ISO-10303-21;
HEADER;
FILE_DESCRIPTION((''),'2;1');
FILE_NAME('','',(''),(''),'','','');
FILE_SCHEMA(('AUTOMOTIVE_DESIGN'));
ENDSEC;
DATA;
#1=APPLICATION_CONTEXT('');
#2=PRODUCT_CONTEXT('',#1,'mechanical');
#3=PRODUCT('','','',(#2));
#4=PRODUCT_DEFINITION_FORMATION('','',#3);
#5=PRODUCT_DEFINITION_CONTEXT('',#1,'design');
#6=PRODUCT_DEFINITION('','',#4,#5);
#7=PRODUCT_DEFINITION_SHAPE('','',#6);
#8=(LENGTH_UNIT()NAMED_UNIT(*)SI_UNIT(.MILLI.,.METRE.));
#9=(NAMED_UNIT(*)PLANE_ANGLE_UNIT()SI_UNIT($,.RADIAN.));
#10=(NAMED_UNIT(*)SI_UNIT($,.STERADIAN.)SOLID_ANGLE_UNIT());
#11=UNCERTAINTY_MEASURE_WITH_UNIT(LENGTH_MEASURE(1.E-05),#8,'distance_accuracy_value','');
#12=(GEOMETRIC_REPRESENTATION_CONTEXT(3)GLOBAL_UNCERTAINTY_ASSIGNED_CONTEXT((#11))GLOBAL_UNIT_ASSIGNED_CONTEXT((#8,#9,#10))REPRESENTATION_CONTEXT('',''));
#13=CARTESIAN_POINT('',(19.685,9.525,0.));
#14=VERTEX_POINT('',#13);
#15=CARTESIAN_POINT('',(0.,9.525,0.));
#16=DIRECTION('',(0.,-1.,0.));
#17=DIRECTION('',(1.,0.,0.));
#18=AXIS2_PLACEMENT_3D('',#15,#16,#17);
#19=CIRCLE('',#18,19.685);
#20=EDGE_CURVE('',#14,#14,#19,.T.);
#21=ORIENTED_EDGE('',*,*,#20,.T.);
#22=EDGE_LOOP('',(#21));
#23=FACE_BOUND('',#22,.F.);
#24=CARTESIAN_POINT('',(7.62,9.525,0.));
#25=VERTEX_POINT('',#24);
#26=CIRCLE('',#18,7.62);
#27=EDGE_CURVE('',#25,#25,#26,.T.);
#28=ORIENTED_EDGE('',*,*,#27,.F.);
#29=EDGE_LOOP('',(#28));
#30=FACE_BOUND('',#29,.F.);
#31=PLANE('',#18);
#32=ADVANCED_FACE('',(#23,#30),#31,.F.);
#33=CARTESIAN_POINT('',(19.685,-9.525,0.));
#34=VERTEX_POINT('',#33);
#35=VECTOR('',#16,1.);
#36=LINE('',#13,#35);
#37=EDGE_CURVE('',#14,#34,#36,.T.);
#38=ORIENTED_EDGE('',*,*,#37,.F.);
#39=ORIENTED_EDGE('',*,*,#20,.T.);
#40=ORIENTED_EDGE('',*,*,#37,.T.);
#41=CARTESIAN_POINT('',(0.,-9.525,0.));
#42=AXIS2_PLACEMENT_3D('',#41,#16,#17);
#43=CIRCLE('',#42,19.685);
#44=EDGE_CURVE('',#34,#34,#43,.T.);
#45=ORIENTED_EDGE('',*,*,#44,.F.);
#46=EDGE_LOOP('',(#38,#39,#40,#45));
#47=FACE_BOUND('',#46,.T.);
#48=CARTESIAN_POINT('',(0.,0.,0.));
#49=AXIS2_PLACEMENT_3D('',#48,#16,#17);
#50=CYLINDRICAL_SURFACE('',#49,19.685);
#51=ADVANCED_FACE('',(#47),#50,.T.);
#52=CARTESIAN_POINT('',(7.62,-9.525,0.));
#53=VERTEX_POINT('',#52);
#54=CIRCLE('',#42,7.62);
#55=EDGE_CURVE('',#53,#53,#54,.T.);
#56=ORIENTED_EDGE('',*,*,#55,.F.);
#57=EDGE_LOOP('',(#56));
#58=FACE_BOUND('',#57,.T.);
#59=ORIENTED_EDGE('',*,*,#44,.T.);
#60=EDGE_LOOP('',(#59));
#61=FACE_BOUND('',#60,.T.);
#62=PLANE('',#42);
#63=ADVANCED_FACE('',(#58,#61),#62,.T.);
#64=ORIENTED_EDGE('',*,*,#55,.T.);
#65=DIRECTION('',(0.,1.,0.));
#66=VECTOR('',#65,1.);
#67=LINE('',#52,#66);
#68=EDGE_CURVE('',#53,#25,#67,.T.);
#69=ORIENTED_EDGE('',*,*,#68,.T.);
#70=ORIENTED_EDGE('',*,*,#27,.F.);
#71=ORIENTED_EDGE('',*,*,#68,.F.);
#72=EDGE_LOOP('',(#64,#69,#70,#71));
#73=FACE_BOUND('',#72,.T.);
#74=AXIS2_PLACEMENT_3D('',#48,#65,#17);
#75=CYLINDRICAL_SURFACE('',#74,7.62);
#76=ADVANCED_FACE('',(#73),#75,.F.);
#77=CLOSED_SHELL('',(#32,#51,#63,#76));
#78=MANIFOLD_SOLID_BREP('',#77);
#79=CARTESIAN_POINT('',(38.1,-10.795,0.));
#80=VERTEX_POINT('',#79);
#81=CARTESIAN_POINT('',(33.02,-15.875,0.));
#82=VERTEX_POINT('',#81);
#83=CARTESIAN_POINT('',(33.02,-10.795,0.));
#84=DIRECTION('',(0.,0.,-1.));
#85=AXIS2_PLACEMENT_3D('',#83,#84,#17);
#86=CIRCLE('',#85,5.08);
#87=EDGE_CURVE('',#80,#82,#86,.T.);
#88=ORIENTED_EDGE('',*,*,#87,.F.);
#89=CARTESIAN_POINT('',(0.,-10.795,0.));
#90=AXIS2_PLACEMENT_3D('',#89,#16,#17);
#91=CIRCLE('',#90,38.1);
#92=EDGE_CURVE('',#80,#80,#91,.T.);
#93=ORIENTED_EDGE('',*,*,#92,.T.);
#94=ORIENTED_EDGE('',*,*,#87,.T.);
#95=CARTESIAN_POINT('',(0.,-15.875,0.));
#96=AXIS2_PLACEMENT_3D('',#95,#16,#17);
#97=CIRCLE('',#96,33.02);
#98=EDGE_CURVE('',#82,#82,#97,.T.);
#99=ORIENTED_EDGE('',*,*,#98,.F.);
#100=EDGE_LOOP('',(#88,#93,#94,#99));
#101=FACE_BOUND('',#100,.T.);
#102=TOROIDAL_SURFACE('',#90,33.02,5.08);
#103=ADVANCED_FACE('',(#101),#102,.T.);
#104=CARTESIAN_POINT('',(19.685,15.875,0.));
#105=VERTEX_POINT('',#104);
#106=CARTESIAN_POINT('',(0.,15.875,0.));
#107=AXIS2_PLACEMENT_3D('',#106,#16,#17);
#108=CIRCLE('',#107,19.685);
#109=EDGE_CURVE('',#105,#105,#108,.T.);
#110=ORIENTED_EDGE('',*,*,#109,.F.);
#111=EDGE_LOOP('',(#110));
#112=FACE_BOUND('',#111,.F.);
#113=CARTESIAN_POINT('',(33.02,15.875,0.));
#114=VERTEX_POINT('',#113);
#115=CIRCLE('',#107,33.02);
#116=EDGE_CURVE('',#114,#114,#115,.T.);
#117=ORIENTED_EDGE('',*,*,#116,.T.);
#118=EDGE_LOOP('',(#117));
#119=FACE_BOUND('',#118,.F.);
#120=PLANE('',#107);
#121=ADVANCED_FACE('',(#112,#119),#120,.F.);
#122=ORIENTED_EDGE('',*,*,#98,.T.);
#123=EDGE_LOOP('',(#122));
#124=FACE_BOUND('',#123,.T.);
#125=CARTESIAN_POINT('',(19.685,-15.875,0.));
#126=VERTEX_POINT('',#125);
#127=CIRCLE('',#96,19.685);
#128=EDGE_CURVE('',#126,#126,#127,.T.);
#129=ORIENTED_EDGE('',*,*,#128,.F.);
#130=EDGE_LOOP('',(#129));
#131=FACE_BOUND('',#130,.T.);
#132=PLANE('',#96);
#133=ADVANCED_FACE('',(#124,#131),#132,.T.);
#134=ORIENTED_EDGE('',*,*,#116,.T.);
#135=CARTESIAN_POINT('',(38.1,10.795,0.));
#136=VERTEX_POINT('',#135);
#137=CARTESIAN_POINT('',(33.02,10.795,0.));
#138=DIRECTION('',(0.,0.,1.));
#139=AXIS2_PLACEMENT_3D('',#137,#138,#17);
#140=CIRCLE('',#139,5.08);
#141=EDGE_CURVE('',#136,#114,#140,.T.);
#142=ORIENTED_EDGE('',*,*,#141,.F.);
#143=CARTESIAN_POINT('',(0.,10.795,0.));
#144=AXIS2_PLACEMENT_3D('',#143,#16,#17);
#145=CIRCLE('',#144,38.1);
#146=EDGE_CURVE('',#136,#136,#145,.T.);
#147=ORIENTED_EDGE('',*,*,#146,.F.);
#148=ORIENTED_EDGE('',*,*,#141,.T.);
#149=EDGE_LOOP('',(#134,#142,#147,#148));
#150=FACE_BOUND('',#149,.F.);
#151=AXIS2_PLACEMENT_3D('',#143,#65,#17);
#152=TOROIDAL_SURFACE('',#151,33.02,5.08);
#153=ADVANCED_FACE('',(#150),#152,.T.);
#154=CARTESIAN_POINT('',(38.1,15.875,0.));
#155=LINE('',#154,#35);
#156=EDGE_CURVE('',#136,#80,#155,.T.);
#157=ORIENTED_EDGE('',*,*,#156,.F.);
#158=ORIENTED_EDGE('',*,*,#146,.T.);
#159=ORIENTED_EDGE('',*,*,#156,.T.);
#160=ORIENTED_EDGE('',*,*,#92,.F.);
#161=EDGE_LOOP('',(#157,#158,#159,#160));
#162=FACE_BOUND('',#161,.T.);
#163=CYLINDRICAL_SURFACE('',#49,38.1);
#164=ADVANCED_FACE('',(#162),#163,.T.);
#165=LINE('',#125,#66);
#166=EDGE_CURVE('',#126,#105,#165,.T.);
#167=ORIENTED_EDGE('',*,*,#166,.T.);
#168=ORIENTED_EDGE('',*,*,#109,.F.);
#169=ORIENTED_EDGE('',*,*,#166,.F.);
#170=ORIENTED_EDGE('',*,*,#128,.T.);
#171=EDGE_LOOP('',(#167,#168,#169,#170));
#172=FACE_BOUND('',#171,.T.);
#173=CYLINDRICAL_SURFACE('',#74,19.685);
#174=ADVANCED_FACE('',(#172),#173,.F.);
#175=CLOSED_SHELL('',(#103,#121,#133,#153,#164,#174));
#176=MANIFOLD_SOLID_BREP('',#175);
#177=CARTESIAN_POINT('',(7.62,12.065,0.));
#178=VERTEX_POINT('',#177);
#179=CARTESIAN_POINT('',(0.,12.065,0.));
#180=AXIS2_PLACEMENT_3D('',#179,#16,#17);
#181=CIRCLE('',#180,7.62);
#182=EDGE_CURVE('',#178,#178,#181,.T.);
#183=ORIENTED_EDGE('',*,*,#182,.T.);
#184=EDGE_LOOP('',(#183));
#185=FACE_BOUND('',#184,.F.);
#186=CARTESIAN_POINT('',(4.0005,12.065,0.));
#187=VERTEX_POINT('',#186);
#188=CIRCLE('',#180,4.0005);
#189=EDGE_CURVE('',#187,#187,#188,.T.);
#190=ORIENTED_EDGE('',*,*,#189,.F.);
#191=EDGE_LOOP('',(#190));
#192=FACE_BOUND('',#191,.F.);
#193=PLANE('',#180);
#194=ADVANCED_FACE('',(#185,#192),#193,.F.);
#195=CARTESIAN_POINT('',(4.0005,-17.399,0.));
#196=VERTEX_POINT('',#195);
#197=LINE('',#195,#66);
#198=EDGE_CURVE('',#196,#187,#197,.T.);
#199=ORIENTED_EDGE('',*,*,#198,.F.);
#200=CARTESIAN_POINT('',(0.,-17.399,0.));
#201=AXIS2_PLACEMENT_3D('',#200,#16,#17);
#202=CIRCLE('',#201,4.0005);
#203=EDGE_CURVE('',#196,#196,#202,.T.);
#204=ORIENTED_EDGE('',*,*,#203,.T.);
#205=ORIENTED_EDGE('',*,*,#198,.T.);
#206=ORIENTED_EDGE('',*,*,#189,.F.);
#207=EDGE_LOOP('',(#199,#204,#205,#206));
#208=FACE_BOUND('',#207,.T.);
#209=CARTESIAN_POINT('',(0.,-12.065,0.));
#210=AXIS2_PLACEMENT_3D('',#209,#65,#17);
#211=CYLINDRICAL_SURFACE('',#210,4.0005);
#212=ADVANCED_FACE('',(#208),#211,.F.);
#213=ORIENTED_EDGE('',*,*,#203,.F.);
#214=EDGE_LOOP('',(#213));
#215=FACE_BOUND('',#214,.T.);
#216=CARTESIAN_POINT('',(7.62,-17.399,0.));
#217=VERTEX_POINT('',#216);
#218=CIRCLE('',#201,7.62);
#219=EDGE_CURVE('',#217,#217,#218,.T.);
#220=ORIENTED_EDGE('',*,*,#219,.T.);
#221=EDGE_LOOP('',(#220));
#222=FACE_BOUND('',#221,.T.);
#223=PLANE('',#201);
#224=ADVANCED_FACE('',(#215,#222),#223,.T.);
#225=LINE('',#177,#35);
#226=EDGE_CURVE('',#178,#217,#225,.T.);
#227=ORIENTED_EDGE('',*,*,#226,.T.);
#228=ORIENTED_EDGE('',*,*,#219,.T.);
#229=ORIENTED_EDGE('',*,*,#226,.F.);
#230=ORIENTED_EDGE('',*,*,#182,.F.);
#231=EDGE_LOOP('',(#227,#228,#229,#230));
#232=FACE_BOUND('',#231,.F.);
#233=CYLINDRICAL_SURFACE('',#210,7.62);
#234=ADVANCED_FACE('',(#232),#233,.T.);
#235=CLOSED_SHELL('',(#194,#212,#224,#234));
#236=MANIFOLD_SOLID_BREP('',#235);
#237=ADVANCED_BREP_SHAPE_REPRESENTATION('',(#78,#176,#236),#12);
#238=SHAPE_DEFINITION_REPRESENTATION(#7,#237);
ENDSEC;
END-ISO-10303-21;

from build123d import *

# Parameters (mm, degrees)
F0_R     = 38.1
F0_R_2   = 19.685
F1_DEPTH = 15.875
F0_R_3   = 7.62
F0_R_4   = 4.0005
F2_DEPTH = 12.065
F0_R_5   = 8.89
F3_DEPTH = 9.525
F4_R     = 7.62
F4_R_2   = 4.0005
F5_DEPTH = 5.334
F6_R     = 5.08


with BuildPart() as f1:
    # F0 (on Front) → F1 (new body, symmetric)
    with BuildSketch(Plane.XZ):
        Circle(F0_R)
        Circle(F0_R_2, mode=Mode.SUBTRACT)
    extrude(amount=F1_DEPTH, both=True)

    # F6
    f6_edges = [f1.edges().sort_by_distance(p)[0] for p in [
        (-38.1, -15.875, 0),
        (-38.1, 15.875, 0),
    ]]
    fillet(f6_edges, radius=F6_R)


with BuildPart() as f2:
    # F0 (on Front) → F2 (new body, symmetric)
    with BuildSketch(Plane.XZ):
        Circle(F0_R_3)
        Circle(F0_R_4, mode=Mode.SUBTRACT)
    extrude(amount=F2_DEPTH, both=True)

    # F4 (on face) → F5 (join)
    with BuildSketch(Plane.XZ.offset(12.065)):
        Circle(F4_R)
        Circle(F4_R_2, mode=Mode.SUBTRACT)
    extrude(amount=F5_DEPTH)


with BuildPart() as f3:
    # F0 (on Front) → F3 (new body, symmetric)
    with BuildSketch(Plane.XZ):
        Circle(F0_R_2)
        Circle(F0_R_5, mode=Mode.SUBTRACT)
        Circle(F0_R_5)
        Circle(F0_R_3, mode=Mode.SUBTRACT)
    extrude(amount=F3_DEPTH, both=True)


solid = Compound([f1.part, f2.part, f3.part])
